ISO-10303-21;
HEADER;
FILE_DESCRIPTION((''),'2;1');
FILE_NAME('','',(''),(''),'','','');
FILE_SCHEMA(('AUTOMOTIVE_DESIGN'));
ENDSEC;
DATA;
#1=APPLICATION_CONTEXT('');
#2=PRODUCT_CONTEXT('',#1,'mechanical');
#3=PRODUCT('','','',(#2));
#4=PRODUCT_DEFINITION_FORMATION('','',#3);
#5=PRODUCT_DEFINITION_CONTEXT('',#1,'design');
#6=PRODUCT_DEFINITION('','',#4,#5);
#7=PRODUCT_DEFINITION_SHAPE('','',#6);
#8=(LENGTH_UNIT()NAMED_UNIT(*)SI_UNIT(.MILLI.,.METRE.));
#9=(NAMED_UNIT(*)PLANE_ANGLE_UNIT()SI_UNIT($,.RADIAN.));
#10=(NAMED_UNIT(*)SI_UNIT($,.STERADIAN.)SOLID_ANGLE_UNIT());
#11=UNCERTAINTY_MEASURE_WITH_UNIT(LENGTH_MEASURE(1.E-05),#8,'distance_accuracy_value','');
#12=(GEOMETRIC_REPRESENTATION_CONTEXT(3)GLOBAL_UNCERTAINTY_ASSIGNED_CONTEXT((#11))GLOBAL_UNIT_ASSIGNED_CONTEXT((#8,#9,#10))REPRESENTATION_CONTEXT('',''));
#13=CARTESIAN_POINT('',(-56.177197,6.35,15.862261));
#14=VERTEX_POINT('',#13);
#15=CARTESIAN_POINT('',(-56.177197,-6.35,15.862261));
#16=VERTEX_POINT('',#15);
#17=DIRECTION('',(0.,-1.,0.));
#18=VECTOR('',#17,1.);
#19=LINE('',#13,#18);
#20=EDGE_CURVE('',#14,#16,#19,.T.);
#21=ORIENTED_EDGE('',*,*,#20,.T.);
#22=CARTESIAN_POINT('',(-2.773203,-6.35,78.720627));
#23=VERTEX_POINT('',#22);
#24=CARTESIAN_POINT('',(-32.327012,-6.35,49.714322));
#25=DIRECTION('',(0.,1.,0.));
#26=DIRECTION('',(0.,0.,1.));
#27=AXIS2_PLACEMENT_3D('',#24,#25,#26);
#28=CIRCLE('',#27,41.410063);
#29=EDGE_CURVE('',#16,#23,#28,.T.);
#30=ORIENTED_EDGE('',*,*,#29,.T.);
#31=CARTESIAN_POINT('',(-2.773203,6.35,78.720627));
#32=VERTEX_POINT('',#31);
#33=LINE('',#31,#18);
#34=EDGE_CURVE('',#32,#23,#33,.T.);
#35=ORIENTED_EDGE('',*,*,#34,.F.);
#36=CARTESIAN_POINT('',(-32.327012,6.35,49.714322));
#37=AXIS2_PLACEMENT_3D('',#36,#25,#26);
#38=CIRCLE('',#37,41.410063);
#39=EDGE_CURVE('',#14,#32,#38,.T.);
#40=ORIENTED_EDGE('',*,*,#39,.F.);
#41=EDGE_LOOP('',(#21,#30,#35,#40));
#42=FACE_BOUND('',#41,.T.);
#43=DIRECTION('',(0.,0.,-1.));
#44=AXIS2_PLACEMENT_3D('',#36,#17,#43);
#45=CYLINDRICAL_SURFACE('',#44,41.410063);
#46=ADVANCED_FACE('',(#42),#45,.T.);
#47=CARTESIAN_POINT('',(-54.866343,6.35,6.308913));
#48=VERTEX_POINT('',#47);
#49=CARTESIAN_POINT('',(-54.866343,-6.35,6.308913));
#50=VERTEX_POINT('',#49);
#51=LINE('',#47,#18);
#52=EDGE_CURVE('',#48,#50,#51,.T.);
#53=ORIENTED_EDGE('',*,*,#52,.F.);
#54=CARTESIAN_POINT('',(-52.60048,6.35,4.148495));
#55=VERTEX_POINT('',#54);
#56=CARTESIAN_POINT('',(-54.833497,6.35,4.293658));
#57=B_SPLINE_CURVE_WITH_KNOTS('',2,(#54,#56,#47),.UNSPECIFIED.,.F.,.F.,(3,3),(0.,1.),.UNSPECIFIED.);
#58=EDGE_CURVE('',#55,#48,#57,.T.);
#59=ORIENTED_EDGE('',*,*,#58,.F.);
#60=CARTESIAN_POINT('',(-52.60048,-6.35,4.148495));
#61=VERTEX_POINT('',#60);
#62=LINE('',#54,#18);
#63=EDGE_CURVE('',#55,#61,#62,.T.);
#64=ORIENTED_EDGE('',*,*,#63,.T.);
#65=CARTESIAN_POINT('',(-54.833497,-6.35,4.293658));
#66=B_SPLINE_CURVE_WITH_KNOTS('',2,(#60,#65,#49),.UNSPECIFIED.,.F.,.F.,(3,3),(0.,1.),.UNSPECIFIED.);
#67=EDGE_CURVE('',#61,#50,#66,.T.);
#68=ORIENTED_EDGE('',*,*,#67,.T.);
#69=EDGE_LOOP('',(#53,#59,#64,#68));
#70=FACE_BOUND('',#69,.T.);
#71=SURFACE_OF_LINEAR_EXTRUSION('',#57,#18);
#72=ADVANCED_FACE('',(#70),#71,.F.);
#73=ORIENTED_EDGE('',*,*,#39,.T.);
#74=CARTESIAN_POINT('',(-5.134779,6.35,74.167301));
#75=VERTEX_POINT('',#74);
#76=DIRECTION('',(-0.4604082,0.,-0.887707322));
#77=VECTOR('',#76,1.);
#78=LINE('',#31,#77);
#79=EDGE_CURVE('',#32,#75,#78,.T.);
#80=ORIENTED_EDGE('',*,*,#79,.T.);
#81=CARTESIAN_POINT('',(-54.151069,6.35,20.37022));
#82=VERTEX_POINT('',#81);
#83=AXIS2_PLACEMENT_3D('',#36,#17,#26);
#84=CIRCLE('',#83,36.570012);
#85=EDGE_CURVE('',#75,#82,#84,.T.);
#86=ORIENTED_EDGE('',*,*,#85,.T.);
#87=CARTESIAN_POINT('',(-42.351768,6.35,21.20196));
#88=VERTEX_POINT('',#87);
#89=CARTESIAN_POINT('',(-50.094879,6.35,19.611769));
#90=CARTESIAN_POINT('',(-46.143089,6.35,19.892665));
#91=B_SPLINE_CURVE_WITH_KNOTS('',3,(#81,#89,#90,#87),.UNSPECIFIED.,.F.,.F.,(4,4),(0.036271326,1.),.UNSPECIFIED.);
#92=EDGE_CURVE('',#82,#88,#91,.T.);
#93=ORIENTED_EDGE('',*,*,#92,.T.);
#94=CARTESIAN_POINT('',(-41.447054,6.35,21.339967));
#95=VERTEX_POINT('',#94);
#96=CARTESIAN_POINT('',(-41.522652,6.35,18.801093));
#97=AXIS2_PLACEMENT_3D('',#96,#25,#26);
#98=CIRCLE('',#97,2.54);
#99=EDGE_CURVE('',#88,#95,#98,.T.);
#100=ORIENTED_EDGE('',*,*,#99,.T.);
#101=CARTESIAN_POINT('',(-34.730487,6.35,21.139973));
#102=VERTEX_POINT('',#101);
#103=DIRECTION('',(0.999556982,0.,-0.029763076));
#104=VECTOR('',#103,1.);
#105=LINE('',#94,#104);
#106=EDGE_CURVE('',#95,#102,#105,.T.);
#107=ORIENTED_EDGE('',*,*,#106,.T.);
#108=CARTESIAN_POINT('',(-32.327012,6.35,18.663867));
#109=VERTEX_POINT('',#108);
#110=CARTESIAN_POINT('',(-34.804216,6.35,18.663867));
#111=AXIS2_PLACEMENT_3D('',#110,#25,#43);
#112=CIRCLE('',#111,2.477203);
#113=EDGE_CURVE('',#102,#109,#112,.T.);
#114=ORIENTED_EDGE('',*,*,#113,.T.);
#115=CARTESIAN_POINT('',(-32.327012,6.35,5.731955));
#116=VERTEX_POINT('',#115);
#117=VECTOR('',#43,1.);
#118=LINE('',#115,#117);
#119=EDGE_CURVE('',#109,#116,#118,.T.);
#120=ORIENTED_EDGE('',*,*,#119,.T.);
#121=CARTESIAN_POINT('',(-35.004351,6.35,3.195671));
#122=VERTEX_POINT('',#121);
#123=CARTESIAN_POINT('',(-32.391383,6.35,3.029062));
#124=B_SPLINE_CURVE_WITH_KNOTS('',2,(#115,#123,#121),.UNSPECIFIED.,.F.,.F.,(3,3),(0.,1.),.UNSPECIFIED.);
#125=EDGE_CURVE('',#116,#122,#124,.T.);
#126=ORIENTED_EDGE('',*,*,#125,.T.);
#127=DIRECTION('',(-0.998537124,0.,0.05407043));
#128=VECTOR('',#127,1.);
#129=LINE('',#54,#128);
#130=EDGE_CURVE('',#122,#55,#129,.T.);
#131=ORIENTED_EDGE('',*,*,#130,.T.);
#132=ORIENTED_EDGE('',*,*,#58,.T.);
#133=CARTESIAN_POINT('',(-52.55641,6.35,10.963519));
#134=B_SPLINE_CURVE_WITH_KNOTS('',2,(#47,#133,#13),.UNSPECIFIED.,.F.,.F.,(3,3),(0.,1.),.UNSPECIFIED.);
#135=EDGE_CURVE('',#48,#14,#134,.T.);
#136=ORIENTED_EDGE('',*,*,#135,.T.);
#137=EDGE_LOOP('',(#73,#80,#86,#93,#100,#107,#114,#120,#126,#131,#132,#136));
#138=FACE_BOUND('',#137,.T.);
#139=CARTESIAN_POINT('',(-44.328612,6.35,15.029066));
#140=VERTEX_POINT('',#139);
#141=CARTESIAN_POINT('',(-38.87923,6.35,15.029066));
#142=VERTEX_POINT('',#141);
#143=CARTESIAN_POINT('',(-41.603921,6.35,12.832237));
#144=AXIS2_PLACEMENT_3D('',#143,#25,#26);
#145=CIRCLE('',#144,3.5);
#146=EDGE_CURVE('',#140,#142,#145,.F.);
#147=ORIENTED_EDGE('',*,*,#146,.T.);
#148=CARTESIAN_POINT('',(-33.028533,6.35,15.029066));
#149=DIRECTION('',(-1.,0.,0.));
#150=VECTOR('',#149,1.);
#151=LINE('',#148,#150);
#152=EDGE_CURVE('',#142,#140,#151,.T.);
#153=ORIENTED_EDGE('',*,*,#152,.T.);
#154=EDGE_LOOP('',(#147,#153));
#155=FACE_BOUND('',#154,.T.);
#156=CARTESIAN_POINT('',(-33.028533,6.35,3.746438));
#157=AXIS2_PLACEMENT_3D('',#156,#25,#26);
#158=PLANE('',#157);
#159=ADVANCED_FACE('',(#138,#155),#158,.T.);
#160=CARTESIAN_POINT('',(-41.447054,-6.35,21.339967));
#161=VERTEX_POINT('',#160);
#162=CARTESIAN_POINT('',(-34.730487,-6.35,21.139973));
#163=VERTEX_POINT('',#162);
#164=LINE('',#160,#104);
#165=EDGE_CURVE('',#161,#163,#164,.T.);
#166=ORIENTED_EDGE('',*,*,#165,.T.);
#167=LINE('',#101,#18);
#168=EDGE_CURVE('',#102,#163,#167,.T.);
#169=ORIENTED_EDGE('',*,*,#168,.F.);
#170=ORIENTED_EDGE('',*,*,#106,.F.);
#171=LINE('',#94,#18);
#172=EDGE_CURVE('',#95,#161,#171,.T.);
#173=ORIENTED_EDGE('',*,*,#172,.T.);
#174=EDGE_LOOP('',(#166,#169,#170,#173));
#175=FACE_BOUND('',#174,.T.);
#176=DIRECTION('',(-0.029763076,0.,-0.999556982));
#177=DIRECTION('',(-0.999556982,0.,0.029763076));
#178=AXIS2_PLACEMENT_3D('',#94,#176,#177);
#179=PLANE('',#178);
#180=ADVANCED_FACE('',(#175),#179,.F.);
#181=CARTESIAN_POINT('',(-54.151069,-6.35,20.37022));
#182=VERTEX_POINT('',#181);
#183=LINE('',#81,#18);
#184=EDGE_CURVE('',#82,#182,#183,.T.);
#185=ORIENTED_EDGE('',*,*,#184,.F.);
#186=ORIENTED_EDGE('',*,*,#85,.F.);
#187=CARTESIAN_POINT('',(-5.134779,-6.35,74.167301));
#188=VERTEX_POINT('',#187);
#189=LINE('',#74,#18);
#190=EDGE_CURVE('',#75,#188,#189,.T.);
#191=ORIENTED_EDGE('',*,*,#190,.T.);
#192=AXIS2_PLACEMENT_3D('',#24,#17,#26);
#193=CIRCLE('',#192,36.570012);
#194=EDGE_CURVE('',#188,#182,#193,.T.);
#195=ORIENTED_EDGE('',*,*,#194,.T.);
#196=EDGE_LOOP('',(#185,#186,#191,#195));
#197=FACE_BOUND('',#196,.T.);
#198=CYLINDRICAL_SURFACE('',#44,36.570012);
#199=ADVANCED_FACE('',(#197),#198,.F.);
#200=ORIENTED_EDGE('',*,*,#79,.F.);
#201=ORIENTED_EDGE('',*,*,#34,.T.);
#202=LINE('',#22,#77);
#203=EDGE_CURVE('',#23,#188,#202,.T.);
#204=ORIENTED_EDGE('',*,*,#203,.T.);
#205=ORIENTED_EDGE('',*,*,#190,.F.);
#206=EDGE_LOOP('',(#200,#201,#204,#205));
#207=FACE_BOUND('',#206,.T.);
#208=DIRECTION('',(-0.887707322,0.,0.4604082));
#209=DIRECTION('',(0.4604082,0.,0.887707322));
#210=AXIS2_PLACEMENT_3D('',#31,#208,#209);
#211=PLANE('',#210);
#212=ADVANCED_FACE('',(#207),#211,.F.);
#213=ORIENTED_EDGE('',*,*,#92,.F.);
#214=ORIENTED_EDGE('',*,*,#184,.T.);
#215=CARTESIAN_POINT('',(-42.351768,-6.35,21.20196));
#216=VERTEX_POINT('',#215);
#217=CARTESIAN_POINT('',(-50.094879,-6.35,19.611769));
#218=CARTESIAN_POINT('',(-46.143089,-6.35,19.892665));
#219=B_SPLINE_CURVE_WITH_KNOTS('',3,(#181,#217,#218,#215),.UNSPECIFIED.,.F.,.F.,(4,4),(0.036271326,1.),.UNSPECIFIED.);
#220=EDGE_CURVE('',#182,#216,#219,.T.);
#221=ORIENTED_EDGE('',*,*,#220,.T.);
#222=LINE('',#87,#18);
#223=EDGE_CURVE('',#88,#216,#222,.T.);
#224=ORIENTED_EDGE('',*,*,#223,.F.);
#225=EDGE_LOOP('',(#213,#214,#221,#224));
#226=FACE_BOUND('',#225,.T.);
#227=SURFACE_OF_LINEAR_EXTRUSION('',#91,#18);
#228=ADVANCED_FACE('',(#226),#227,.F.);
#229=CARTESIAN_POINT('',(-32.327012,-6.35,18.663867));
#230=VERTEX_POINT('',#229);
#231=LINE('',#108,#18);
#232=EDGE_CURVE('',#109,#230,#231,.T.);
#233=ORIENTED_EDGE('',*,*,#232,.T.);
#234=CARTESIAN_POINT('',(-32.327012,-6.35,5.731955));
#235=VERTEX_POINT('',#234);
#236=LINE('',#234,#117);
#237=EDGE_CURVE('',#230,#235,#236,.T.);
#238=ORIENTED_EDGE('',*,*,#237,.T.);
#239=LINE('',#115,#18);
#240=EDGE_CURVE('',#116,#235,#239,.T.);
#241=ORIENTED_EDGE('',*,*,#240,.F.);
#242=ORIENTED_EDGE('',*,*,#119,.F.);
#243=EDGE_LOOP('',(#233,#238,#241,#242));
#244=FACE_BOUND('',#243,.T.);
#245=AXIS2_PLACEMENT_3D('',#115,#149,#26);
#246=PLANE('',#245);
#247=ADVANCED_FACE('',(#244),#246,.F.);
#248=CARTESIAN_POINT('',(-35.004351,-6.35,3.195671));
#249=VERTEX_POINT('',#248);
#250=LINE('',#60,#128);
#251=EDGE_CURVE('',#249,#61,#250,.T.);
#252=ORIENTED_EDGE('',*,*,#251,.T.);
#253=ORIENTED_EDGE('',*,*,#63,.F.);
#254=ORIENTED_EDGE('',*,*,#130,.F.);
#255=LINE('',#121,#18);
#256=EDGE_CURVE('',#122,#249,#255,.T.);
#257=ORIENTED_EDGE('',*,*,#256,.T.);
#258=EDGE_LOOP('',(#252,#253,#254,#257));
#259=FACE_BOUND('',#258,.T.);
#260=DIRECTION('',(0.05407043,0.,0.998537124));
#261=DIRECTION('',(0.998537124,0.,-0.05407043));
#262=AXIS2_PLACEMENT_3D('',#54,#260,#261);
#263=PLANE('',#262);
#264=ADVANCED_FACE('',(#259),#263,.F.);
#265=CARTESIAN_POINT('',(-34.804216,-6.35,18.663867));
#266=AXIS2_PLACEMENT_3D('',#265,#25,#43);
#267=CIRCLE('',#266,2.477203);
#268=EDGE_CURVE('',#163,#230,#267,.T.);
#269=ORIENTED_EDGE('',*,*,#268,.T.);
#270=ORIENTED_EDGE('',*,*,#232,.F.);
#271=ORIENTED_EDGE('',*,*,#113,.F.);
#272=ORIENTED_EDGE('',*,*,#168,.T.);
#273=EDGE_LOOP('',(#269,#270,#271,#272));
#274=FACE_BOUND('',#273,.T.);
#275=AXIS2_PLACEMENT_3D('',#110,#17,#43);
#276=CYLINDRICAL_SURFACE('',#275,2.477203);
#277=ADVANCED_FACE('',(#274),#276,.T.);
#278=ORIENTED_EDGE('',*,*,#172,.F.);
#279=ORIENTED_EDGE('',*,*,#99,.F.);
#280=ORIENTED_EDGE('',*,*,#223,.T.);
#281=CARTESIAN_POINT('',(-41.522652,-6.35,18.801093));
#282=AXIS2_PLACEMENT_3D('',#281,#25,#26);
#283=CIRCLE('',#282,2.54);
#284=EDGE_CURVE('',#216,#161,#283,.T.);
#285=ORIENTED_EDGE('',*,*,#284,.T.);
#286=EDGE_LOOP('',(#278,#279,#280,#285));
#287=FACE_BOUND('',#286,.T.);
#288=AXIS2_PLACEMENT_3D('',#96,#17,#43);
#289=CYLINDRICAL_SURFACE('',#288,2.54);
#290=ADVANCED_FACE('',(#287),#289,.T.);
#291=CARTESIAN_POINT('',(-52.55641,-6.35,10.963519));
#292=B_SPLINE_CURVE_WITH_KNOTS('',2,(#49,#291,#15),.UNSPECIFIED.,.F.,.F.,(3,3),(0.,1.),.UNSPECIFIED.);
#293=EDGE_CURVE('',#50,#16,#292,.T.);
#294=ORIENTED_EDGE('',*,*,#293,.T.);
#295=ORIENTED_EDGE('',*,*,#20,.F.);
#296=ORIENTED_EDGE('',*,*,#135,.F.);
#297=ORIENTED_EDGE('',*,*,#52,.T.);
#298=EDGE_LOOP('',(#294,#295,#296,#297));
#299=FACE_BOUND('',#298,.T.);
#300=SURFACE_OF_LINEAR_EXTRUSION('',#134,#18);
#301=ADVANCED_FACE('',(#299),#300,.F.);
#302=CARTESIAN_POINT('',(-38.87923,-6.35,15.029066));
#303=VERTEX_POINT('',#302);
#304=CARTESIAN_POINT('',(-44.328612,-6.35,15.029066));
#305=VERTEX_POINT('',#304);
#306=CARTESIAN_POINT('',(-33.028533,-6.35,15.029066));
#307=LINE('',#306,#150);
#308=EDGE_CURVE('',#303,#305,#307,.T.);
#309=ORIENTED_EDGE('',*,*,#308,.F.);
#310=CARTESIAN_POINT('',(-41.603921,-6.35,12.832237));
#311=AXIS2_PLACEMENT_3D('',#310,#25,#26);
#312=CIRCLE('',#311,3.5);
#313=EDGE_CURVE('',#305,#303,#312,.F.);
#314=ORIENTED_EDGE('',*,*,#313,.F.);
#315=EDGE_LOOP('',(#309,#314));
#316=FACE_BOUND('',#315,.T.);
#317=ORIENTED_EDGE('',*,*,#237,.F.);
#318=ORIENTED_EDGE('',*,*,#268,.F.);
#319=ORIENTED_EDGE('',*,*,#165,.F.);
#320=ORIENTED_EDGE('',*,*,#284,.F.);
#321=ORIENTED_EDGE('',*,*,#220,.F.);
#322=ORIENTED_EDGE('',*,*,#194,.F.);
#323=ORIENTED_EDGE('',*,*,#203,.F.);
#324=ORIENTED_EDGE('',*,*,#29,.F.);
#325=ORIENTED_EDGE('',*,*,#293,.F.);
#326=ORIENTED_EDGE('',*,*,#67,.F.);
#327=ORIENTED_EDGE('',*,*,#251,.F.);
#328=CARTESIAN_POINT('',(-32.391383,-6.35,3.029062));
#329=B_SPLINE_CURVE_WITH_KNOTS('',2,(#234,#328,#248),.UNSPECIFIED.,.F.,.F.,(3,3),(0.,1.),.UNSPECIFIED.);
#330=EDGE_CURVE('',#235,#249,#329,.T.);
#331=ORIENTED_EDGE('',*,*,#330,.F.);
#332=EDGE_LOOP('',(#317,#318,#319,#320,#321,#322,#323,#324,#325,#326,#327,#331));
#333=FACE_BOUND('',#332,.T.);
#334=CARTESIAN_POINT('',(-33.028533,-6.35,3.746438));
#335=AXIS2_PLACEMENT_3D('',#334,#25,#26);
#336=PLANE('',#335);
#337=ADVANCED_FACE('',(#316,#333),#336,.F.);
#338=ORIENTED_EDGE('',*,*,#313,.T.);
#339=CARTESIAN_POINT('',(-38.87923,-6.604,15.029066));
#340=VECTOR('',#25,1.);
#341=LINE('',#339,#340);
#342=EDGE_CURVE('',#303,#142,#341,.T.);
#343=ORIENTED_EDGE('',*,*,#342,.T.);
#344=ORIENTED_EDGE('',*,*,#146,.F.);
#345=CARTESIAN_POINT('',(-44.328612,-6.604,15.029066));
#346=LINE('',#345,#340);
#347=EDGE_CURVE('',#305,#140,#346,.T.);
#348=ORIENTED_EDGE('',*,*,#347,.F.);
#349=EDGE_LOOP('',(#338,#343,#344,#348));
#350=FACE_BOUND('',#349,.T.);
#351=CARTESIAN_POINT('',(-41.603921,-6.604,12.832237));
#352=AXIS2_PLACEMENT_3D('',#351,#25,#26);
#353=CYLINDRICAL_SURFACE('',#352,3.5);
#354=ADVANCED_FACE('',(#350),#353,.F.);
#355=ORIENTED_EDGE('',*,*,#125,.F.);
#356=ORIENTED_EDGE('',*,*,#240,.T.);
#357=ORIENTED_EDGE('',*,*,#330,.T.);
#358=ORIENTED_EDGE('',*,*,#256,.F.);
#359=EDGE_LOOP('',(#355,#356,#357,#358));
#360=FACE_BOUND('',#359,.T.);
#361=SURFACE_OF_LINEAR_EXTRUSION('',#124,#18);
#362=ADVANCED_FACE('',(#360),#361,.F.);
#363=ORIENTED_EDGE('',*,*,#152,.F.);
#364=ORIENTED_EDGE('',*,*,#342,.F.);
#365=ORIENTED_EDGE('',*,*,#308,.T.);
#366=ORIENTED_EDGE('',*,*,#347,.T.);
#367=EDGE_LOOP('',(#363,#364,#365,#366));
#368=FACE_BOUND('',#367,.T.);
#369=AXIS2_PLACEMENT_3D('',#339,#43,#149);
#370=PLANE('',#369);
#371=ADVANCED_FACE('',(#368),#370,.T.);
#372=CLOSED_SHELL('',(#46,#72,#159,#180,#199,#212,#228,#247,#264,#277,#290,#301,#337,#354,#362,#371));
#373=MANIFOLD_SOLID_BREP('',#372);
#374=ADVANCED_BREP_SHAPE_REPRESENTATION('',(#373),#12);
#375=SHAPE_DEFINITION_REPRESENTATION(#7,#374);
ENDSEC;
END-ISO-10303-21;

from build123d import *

# Parameters (mm, degrees)
BOSS_EXTRUDE2_DEPTH     = 6.35
CUT_EXTRUDE1_DEPTH      = 0.254
CUT_EXTRUDE1_DEPTH_BACK = 13.208


with BuildPart() as part:
    # Sketch3 → Boss-Extrude2 (new, symmetric)
    with BuildSketch(Plane(origin=(0, 0, 0), x_dir=(1, 0, 0), z_dir=(0, 1, 0))):
        with BuildLine():
            Line((-52.600480424, -4.148495284), (-35.004351305, -3.195671149))
            add(Edge.make_bspline(
                [(-35.004351305, -3.195671149), (-32.391383355, -3.02906189), (-32.327012412, -5.731955445)],
                knots=[0, 0, 0, 1, 1, 1], degree=2))
            Line((-32.327012412, -5.731955445), (-32.327012412, -18.663867238))
            ThreePointArc((-32.327012412, -18.663867238), (-33.026692388, -20.3892504), (-34.730486544, -21.139973114))
            Line((-34.730486544, -21.139973114), (-41.447053807, -21.339967417))
            ThreePointArc((-41.447053807, -21.339967417), (-41.905677943, -21.312046914), (-42.351768326, -21.201960476))
            add(Edge.make_bspline(
                [(-42.351768326, -21.201960476), (-46.143088768, -19.892664891), (-50.094878971, -19.611768994), (-54.151069137, -20.370220418)],
                knots=[0.036271326, 0.036271326, 0.036271326, 0.036271326, 1, 1, 1, 1], degree=3))
            ThreePointArc((-54.151069137, -20.370220418), (-59.359137989, -74.344180893), (-5.134779033, -74.167301495))
            Line((-5.134779033, -74.167301495), (-2.773203125, -78.720626621))
            ThreePointArc((-2.773203125, -78.720626621), (-63.885313617, -76.526016755), (-56.177196586, -15.862260746))
            add(Edge.make_bspline(
                [(-54.866343349, -6.308912993), (-52.55640985, -10.963519078), (-56.177196586, -15.862260746)],
                knots=[0, 0, 0, 1, 1, 1], degree=2))
            add(Edge.make_bspline(
                [(-54.866343349, -6.308912993), (-54.833497461, -4.293658489), (-52.600480424, -4.148495284)],
                knots=[0, 0, 0, 1, 1, 1], degree=2))
        make_face()
    extrude(amount=BOSS_EXTRUDE2_DEPTH, both=True)

    # Sketch11 → Cut-Extrude1 (cut, two sides: drawn at the far end of the back side and taken through both)
    with BuildSketch(Plane(origin=(0, -6.35, 0), x_dir=(-1, 0, 0), z_dir=(0, -1, 0)).offset(-CUT_EXTRUDE1_DEPTH_BACK)):
        with BuildLine():
            Line((38.879229539, -15.029066428), (44.328612102, -15.029066428))
            ThreePointArc((44.328612102, -15.029066428), (41.603920821, -9.332237481), (38.879229539, -15.029066428))
        make_face()
    extrude(amount=CUT_EXTRUDE1_DEPTH + CUT_EXTRUDE1_DEPTH_BACK, mode=Mode.SUBTRACT)


solid = part.part
